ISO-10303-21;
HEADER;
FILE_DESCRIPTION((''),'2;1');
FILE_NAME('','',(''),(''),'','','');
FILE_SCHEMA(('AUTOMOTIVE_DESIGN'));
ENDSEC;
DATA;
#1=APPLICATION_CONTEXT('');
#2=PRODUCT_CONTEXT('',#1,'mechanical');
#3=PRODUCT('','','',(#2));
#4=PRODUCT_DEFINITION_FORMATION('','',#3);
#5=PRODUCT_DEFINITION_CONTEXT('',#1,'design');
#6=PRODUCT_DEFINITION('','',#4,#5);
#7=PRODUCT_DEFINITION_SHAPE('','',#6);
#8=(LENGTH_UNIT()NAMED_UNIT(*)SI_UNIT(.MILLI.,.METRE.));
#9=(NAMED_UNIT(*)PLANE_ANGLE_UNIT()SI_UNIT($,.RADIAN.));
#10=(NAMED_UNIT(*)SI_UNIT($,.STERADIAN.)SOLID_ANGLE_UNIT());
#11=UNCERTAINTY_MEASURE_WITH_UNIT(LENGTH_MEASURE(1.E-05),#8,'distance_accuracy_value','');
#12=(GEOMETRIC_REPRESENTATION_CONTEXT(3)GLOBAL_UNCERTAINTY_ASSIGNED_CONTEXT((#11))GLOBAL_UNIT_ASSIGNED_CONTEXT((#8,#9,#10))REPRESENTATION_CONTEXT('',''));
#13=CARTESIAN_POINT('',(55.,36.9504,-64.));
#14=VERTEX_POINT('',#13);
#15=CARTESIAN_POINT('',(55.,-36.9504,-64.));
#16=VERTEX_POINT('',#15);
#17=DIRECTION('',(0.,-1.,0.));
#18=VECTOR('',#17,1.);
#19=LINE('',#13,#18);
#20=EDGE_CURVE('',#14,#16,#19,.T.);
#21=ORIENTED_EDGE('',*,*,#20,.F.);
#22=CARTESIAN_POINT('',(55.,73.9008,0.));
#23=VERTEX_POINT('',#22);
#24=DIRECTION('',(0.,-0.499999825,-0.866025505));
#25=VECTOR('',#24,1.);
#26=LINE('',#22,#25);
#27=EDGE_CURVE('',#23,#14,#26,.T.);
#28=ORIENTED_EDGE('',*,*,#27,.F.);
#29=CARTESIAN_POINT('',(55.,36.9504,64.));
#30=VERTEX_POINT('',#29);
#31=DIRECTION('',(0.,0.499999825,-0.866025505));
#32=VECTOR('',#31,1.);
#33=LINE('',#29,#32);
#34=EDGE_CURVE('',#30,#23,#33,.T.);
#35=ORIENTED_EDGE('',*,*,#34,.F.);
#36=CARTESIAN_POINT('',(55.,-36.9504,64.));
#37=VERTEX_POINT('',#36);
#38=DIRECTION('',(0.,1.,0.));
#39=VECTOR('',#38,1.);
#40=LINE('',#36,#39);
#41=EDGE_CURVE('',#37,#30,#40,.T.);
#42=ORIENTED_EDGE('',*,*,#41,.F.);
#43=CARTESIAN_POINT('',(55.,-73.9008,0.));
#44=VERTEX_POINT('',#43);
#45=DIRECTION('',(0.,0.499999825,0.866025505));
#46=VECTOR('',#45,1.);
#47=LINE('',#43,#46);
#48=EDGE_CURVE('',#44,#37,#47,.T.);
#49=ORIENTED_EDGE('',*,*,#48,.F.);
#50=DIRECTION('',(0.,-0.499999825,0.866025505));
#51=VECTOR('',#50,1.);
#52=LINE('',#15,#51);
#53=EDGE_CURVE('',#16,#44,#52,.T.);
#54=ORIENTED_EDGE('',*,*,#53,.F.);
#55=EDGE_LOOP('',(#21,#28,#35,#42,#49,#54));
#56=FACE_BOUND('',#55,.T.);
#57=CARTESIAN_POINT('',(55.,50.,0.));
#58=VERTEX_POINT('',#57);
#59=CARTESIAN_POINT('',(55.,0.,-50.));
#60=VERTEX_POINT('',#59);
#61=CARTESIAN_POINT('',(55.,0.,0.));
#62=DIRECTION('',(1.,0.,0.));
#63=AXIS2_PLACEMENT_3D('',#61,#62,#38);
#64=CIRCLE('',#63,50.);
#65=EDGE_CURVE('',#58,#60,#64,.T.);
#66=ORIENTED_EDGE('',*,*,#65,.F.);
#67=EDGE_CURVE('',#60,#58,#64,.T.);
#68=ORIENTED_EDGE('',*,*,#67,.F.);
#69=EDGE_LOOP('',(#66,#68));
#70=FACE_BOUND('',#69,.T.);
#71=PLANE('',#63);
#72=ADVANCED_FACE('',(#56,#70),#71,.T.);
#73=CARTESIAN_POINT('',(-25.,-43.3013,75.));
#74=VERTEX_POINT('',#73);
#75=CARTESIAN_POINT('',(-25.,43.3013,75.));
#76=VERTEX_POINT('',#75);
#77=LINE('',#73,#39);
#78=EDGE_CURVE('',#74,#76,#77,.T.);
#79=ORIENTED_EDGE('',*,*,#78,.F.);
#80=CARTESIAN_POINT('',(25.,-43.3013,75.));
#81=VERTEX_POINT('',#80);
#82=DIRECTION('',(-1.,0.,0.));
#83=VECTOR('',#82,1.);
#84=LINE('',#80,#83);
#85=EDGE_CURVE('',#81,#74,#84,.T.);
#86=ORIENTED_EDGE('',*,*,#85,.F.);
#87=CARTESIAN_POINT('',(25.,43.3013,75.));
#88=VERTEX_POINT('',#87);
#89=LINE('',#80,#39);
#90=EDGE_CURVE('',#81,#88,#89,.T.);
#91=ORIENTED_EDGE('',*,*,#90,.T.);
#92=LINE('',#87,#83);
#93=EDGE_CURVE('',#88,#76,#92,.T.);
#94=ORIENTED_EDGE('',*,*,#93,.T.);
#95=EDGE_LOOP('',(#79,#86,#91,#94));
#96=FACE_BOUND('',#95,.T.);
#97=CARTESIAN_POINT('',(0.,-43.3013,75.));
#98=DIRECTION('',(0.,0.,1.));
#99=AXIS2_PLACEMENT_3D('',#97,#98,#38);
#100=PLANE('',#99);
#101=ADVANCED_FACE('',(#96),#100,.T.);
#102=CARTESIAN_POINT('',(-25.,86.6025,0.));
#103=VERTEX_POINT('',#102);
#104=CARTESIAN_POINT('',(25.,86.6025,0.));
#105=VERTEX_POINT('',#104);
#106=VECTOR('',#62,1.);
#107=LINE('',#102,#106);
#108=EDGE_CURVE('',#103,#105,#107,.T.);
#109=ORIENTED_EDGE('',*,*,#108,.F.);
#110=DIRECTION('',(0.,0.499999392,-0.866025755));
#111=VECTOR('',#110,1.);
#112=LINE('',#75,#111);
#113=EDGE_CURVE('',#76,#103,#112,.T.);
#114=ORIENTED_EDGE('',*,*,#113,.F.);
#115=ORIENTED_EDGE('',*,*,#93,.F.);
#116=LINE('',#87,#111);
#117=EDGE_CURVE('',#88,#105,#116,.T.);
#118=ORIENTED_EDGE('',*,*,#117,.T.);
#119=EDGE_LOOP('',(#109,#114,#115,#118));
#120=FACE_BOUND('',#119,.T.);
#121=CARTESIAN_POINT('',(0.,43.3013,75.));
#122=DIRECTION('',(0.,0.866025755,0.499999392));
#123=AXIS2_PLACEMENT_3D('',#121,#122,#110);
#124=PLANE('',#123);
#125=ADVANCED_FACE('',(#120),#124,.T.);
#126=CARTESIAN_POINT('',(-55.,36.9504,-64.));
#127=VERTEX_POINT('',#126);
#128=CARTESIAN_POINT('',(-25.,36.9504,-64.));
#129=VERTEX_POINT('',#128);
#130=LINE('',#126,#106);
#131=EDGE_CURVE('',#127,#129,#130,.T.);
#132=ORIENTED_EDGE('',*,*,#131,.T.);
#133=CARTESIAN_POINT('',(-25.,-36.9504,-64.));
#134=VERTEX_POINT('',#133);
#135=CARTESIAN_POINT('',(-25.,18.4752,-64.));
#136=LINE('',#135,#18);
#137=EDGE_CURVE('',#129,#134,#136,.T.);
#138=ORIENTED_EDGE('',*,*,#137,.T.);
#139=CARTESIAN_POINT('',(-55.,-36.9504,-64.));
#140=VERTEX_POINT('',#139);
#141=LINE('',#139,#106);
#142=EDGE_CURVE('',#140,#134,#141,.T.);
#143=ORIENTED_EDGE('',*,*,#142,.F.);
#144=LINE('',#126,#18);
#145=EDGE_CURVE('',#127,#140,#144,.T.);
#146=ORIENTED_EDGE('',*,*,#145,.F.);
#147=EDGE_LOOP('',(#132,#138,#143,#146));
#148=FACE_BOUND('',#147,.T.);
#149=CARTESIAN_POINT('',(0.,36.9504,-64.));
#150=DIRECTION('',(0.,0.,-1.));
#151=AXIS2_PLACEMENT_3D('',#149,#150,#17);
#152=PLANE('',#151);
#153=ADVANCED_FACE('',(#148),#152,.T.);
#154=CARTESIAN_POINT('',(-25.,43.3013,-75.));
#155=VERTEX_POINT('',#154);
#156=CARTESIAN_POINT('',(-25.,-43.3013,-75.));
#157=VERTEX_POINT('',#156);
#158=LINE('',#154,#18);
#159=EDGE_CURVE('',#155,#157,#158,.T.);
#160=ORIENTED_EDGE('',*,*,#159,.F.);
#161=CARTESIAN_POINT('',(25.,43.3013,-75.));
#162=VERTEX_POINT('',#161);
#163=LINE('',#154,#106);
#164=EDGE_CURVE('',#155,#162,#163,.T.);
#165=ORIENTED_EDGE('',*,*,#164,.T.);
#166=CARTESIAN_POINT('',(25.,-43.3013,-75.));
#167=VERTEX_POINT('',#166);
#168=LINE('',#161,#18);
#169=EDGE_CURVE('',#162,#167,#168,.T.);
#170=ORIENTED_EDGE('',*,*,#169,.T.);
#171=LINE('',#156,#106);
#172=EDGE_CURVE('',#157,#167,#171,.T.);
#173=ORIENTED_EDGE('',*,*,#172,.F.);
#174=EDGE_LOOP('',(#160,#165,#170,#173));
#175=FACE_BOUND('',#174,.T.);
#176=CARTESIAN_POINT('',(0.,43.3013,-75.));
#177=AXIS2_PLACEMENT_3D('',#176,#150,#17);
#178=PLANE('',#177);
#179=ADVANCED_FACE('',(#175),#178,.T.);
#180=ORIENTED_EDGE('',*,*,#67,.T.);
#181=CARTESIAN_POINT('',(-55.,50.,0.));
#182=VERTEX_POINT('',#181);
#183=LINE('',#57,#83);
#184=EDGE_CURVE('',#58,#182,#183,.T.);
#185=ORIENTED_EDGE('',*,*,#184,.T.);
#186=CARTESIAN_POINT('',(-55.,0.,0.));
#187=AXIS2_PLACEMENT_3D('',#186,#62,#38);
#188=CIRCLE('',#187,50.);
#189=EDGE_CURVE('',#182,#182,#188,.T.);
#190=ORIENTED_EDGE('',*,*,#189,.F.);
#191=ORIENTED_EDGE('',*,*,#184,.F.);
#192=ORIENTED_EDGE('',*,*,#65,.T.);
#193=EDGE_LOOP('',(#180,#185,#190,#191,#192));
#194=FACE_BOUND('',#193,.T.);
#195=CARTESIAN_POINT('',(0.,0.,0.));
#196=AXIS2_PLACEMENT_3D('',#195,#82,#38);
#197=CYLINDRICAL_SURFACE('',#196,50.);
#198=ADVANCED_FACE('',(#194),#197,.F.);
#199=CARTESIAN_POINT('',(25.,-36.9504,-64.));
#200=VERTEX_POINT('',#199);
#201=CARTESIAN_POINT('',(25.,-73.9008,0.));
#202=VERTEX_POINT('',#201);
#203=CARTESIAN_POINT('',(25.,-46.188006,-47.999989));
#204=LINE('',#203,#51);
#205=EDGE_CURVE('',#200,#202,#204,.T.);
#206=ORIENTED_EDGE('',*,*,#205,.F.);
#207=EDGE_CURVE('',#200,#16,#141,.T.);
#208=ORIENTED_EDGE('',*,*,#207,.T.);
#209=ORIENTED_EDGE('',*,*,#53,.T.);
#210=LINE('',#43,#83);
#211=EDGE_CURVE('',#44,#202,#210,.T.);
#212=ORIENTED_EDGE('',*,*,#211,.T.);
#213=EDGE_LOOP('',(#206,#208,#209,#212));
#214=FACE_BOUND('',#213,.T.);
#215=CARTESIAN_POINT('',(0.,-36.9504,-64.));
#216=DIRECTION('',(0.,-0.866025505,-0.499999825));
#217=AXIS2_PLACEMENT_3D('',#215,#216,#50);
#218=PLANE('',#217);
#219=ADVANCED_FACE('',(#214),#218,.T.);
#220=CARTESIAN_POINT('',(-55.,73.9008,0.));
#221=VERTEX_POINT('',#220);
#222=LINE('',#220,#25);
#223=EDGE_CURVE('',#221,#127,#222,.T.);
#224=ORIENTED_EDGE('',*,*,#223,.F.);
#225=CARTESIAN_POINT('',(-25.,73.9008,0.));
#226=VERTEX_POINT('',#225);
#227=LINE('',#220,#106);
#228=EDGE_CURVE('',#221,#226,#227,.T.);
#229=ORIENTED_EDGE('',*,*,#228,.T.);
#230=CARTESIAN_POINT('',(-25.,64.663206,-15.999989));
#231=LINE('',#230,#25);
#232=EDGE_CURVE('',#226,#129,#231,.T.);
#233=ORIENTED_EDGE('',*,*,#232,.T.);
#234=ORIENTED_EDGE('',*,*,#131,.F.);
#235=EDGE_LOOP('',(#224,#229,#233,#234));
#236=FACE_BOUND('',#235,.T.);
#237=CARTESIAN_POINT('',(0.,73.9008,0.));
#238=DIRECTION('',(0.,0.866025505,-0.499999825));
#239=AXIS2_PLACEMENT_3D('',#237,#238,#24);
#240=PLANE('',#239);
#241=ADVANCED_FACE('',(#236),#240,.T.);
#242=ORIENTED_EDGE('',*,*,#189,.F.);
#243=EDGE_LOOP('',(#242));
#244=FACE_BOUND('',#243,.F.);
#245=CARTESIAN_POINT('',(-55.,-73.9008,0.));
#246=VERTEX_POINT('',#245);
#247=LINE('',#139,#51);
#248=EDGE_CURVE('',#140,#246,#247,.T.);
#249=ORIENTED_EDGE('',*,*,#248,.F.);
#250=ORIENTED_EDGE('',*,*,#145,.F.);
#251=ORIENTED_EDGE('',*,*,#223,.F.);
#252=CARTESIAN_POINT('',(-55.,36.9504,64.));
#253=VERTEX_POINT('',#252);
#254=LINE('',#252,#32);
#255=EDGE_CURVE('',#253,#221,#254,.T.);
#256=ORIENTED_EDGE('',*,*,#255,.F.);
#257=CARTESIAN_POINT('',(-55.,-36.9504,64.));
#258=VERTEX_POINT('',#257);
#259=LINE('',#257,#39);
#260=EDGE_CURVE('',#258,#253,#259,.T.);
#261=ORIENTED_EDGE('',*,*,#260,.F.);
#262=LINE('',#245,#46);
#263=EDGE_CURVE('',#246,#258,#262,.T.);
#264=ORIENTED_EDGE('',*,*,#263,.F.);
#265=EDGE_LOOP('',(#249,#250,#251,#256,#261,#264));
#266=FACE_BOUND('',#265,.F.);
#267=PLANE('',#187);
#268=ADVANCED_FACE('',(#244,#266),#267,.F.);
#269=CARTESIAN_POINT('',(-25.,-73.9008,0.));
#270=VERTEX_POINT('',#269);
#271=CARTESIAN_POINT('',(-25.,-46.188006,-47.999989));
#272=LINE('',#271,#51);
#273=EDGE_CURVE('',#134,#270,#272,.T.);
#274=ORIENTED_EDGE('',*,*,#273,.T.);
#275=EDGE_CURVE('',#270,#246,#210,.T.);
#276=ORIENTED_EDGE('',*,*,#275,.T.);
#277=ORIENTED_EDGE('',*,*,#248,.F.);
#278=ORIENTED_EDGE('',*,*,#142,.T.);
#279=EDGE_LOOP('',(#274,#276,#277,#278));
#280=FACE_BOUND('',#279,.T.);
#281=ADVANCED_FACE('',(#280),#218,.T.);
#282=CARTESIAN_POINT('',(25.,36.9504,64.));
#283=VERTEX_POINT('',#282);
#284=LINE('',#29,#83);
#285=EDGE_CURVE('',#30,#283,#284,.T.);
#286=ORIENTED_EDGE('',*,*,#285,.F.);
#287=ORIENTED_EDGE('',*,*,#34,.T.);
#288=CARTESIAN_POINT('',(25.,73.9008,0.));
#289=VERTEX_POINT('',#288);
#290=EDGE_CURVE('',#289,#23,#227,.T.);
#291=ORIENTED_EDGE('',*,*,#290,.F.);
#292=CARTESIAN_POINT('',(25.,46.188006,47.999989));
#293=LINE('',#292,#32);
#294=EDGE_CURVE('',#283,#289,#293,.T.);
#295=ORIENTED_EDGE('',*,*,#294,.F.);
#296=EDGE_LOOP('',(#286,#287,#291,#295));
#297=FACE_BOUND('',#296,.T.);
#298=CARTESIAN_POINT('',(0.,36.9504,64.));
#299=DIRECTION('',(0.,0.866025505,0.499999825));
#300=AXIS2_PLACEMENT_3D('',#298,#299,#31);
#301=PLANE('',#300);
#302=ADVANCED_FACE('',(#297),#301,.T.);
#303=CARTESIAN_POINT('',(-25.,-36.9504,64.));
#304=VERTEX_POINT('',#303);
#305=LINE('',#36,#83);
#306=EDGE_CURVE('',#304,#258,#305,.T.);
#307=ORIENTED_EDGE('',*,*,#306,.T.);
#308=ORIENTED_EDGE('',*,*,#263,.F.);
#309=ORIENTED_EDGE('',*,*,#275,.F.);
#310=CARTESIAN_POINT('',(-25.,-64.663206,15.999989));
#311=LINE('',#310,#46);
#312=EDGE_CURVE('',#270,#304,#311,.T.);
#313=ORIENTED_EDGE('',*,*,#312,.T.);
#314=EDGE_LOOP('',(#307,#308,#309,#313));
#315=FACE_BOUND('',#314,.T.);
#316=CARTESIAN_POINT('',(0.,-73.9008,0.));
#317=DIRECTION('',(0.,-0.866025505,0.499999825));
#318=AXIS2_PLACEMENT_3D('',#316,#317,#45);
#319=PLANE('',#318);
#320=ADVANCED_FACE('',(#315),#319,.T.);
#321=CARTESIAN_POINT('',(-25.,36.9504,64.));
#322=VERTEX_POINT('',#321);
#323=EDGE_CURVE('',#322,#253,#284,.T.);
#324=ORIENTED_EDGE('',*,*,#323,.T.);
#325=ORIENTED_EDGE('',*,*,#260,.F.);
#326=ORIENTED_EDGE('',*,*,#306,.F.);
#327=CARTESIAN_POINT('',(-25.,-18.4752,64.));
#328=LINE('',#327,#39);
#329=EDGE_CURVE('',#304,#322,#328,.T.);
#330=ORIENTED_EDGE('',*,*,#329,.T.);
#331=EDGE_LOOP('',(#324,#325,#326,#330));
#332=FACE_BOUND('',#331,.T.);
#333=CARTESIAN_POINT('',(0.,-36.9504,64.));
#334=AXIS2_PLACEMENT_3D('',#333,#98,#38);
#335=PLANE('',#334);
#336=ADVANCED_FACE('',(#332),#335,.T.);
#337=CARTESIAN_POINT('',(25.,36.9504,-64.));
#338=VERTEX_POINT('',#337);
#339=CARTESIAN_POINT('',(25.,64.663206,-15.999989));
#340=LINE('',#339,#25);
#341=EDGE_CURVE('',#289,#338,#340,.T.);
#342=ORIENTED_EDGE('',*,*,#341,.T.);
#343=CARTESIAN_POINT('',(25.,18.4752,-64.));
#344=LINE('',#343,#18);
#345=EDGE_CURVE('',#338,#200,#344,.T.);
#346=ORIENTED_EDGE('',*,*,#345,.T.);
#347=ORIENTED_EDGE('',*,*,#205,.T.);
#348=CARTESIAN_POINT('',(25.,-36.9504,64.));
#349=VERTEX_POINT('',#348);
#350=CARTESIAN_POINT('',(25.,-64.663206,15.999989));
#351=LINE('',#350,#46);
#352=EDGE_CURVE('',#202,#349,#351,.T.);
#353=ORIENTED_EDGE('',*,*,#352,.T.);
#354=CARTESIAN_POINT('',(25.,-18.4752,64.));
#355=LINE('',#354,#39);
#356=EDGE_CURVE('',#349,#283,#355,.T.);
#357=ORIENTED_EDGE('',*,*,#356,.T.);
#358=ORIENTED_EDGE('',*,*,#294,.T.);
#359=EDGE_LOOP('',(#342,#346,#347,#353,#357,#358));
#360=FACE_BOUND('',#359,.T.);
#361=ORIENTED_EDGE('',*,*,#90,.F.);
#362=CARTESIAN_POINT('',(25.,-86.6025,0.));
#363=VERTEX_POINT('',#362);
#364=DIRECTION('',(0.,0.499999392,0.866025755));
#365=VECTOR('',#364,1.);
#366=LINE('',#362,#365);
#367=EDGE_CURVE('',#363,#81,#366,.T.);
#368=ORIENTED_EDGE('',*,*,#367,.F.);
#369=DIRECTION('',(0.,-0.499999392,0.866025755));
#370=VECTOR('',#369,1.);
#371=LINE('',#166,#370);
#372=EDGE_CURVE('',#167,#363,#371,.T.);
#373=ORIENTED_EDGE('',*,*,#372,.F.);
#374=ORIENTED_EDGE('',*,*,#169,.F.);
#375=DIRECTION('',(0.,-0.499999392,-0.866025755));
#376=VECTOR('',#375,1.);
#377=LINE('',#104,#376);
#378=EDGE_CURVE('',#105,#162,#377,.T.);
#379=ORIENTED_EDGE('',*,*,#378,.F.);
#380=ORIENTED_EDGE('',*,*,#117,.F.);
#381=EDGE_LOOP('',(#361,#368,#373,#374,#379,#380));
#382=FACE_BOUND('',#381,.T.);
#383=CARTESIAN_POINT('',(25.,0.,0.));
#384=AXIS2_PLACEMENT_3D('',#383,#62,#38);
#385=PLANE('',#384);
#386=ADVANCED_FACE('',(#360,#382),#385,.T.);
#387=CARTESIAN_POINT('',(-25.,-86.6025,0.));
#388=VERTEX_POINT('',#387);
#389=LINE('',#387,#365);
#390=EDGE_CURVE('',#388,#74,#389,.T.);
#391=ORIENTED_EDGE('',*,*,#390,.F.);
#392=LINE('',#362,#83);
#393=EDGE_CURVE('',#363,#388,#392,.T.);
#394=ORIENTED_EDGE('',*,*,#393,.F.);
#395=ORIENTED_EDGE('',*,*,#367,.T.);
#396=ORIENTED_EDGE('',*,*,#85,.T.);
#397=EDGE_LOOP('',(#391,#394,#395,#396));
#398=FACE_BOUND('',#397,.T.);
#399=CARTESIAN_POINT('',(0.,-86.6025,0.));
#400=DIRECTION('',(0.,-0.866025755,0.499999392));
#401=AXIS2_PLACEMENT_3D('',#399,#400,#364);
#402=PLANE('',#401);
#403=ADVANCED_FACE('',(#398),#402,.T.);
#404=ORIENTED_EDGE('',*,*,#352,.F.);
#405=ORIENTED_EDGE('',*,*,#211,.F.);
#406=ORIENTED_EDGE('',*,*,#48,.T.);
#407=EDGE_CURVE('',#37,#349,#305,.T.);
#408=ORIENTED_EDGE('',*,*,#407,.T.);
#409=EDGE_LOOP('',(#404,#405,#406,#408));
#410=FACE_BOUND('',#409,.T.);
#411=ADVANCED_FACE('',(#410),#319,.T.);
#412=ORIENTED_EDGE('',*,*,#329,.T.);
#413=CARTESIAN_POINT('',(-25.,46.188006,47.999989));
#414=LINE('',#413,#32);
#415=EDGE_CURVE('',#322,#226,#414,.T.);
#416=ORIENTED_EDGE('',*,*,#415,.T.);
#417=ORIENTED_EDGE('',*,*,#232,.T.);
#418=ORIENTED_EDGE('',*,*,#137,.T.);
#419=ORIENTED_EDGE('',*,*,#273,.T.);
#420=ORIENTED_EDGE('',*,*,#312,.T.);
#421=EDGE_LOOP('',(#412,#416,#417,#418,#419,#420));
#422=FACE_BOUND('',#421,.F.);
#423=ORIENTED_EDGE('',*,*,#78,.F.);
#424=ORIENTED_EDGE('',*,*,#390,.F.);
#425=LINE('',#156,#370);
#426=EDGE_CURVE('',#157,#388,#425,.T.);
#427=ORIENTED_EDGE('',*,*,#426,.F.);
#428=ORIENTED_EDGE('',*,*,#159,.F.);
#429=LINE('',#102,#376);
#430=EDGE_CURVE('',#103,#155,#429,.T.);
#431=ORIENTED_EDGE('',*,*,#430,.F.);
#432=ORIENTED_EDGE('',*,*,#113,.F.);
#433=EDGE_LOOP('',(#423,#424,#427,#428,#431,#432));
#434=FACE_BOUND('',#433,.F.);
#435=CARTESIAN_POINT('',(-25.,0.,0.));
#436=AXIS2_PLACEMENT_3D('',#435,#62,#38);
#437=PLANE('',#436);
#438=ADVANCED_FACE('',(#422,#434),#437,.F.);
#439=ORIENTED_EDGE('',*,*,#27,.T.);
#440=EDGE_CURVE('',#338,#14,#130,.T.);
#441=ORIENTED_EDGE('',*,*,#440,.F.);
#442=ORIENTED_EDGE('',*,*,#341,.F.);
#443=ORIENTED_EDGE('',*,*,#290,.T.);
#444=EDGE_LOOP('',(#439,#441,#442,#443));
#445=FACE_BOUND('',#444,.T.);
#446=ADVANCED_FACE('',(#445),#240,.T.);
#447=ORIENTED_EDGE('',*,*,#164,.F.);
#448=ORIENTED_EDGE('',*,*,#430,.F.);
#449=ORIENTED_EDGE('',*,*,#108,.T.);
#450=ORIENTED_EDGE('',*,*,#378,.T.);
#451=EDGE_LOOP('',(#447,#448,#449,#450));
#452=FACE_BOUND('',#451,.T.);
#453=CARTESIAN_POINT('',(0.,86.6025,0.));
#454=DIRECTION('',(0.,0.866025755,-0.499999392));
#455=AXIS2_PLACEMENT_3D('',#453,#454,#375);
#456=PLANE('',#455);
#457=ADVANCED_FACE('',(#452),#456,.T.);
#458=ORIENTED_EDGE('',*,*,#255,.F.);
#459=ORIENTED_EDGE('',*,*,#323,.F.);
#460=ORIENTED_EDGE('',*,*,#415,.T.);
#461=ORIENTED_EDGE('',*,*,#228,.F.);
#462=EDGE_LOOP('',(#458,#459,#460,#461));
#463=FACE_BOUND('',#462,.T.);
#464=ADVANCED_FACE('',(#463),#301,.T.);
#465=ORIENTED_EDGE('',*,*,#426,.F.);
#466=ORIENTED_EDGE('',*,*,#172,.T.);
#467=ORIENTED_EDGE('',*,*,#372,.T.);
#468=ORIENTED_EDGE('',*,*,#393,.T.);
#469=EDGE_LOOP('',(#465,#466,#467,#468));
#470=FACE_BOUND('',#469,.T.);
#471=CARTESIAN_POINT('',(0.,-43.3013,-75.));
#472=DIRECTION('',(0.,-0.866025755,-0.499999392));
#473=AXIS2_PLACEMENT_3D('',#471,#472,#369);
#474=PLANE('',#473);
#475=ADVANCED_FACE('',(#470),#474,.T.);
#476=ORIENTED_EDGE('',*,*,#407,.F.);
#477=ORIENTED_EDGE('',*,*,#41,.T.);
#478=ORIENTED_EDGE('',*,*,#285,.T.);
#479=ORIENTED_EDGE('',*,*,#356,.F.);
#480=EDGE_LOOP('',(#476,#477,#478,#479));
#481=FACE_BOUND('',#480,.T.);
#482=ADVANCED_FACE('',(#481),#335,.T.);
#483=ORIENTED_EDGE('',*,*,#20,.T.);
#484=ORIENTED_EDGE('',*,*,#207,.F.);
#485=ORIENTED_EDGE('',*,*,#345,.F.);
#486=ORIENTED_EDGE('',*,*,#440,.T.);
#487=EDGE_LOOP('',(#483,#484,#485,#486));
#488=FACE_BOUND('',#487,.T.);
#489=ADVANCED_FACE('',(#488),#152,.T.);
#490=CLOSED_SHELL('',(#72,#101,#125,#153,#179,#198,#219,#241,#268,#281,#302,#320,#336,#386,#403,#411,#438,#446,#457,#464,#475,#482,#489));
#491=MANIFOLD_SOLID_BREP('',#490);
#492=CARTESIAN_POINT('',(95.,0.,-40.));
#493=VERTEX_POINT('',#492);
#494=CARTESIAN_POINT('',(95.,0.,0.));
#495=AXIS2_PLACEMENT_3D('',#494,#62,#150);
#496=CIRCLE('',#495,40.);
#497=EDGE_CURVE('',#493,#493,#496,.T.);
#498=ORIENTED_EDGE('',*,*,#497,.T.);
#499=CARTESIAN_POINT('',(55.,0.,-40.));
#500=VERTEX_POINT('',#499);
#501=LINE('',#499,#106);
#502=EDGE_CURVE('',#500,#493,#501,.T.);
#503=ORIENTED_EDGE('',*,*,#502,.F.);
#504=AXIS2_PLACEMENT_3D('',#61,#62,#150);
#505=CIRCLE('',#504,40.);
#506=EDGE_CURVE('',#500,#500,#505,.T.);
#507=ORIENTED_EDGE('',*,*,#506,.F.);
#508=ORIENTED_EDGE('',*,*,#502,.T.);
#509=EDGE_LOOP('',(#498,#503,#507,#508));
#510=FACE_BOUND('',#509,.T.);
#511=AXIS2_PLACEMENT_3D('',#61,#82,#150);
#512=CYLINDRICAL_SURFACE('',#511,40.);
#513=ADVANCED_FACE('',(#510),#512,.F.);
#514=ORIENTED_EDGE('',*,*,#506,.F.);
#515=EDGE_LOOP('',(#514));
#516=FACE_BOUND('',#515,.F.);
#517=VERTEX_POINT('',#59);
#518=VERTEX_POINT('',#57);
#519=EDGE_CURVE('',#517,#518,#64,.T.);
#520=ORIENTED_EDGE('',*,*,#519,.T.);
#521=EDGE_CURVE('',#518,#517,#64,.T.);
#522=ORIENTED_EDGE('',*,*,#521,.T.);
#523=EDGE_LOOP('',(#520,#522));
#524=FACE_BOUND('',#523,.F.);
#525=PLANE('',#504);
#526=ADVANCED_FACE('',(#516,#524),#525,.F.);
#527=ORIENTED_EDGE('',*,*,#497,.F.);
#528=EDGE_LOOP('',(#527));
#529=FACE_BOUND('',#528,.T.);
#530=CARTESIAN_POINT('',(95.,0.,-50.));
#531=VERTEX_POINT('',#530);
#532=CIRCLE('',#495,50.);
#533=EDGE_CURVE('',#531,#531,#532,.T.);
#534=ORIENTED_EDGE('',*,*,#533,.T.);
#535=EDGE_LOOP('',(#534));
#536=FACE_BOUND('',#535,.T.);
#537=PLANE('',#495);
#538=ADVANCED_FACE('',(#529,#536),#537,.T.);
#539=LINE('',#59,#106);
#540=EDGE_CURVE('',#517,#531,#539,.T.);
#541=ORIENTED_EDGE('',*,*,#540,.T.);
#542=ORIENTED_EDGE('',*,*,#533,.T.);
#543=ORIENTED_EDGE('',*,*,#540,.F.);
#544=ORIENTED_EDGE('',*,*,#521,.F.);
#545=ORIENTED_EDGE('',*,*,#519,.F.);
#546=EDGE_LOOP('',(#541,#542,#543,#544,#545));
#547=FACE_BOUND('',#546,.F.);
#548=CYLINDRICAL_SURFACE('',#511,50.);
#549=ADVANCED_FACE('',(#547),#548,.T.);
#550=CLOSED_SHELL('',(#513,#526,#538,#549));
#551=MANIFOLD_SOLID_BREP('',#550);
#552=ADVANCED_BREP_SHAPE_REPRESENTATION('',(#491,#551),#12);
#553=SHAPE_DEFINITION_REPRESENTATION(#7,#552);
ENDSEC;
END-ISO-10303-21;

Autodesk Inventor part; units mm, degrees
ref_plane "YZ Plane" through (0, 0, 0) normal (1, 0, 0) x (0, 1, 0)
ref_plane "XZ Plane" through (0, 0, 0) normal (0, 1, 0) x (-1, 0, 0)
ref_plane "XY Plane" through (0, 0, 0) normal (0, 0, 1) x (1, 0, 0)
sketch "Sketch1" plane through (0, 0, 0) normal (1, 0, 0) x (0, 1, 0)
  circle A0 centre (0, 0) radius 50
  line L0 (-36.9504, -64) -> (-73.9008, 0)
  line L1 (-73.9008, 0) -> (-36.9504, 64)
  line L2 (-36.9504, 64) -> (36.9504, 64)
  line L3 (36.9504, 64) -> (73.9008, 0)
  line L4 (73.9008, 0) -> (36.9504, -64)
  line L5 (36.9504, -64) -> (-36.9504, -64)
  dimension "d0" = 100
  dimension "d1" = 64
extrude "Extrusion1" add sketch "Sketch1" along normal mid plane 110
sketch "Sketch3" plane through (0, 0, 0) normal (1, 0, 0) x (0, 1, 0)
  line L0 (-43.3013, -75) -> (-86.6025, 0)
  line L1 (-86.6025, 0) -> (-43.3013, 75)
  line L2 (-43.3013, 75) -> (43.3013, 75)
  line L3 (43.3013, 75) -> (86.6025, 0)
  line L4 (86.6025, 0) -> (43.3013, -75)
  line L5 (43.3013, -75) -> (-43.3013, -75)
  circle A0 centre (0, 0) radius 50 projected
  dimension "d4" = 75
extrude "Extrusion2" add sketch "Sketch3" along normal mid plane 50
thread "Thread1" size "M100x6" class "6H" standard "ANSI Metric M Profile" full length
sketch "Sketch4" plane through (55, 0, 0) normal (1, 0, 0) x (0, 0, -1)
  circle A0 centre (0, 0) radius 50 projected
  circle A1 centre (0, 0) radius 40
  dimension "d12" = 10
extrude "Extrusion4" add sketch "Sketch4" along normal blind 40
thread "Thread2" size "M100x6" class "6g" standard "ANSI Metric M Profile" full length
properties part number "uniao assento conico 4 inch"
